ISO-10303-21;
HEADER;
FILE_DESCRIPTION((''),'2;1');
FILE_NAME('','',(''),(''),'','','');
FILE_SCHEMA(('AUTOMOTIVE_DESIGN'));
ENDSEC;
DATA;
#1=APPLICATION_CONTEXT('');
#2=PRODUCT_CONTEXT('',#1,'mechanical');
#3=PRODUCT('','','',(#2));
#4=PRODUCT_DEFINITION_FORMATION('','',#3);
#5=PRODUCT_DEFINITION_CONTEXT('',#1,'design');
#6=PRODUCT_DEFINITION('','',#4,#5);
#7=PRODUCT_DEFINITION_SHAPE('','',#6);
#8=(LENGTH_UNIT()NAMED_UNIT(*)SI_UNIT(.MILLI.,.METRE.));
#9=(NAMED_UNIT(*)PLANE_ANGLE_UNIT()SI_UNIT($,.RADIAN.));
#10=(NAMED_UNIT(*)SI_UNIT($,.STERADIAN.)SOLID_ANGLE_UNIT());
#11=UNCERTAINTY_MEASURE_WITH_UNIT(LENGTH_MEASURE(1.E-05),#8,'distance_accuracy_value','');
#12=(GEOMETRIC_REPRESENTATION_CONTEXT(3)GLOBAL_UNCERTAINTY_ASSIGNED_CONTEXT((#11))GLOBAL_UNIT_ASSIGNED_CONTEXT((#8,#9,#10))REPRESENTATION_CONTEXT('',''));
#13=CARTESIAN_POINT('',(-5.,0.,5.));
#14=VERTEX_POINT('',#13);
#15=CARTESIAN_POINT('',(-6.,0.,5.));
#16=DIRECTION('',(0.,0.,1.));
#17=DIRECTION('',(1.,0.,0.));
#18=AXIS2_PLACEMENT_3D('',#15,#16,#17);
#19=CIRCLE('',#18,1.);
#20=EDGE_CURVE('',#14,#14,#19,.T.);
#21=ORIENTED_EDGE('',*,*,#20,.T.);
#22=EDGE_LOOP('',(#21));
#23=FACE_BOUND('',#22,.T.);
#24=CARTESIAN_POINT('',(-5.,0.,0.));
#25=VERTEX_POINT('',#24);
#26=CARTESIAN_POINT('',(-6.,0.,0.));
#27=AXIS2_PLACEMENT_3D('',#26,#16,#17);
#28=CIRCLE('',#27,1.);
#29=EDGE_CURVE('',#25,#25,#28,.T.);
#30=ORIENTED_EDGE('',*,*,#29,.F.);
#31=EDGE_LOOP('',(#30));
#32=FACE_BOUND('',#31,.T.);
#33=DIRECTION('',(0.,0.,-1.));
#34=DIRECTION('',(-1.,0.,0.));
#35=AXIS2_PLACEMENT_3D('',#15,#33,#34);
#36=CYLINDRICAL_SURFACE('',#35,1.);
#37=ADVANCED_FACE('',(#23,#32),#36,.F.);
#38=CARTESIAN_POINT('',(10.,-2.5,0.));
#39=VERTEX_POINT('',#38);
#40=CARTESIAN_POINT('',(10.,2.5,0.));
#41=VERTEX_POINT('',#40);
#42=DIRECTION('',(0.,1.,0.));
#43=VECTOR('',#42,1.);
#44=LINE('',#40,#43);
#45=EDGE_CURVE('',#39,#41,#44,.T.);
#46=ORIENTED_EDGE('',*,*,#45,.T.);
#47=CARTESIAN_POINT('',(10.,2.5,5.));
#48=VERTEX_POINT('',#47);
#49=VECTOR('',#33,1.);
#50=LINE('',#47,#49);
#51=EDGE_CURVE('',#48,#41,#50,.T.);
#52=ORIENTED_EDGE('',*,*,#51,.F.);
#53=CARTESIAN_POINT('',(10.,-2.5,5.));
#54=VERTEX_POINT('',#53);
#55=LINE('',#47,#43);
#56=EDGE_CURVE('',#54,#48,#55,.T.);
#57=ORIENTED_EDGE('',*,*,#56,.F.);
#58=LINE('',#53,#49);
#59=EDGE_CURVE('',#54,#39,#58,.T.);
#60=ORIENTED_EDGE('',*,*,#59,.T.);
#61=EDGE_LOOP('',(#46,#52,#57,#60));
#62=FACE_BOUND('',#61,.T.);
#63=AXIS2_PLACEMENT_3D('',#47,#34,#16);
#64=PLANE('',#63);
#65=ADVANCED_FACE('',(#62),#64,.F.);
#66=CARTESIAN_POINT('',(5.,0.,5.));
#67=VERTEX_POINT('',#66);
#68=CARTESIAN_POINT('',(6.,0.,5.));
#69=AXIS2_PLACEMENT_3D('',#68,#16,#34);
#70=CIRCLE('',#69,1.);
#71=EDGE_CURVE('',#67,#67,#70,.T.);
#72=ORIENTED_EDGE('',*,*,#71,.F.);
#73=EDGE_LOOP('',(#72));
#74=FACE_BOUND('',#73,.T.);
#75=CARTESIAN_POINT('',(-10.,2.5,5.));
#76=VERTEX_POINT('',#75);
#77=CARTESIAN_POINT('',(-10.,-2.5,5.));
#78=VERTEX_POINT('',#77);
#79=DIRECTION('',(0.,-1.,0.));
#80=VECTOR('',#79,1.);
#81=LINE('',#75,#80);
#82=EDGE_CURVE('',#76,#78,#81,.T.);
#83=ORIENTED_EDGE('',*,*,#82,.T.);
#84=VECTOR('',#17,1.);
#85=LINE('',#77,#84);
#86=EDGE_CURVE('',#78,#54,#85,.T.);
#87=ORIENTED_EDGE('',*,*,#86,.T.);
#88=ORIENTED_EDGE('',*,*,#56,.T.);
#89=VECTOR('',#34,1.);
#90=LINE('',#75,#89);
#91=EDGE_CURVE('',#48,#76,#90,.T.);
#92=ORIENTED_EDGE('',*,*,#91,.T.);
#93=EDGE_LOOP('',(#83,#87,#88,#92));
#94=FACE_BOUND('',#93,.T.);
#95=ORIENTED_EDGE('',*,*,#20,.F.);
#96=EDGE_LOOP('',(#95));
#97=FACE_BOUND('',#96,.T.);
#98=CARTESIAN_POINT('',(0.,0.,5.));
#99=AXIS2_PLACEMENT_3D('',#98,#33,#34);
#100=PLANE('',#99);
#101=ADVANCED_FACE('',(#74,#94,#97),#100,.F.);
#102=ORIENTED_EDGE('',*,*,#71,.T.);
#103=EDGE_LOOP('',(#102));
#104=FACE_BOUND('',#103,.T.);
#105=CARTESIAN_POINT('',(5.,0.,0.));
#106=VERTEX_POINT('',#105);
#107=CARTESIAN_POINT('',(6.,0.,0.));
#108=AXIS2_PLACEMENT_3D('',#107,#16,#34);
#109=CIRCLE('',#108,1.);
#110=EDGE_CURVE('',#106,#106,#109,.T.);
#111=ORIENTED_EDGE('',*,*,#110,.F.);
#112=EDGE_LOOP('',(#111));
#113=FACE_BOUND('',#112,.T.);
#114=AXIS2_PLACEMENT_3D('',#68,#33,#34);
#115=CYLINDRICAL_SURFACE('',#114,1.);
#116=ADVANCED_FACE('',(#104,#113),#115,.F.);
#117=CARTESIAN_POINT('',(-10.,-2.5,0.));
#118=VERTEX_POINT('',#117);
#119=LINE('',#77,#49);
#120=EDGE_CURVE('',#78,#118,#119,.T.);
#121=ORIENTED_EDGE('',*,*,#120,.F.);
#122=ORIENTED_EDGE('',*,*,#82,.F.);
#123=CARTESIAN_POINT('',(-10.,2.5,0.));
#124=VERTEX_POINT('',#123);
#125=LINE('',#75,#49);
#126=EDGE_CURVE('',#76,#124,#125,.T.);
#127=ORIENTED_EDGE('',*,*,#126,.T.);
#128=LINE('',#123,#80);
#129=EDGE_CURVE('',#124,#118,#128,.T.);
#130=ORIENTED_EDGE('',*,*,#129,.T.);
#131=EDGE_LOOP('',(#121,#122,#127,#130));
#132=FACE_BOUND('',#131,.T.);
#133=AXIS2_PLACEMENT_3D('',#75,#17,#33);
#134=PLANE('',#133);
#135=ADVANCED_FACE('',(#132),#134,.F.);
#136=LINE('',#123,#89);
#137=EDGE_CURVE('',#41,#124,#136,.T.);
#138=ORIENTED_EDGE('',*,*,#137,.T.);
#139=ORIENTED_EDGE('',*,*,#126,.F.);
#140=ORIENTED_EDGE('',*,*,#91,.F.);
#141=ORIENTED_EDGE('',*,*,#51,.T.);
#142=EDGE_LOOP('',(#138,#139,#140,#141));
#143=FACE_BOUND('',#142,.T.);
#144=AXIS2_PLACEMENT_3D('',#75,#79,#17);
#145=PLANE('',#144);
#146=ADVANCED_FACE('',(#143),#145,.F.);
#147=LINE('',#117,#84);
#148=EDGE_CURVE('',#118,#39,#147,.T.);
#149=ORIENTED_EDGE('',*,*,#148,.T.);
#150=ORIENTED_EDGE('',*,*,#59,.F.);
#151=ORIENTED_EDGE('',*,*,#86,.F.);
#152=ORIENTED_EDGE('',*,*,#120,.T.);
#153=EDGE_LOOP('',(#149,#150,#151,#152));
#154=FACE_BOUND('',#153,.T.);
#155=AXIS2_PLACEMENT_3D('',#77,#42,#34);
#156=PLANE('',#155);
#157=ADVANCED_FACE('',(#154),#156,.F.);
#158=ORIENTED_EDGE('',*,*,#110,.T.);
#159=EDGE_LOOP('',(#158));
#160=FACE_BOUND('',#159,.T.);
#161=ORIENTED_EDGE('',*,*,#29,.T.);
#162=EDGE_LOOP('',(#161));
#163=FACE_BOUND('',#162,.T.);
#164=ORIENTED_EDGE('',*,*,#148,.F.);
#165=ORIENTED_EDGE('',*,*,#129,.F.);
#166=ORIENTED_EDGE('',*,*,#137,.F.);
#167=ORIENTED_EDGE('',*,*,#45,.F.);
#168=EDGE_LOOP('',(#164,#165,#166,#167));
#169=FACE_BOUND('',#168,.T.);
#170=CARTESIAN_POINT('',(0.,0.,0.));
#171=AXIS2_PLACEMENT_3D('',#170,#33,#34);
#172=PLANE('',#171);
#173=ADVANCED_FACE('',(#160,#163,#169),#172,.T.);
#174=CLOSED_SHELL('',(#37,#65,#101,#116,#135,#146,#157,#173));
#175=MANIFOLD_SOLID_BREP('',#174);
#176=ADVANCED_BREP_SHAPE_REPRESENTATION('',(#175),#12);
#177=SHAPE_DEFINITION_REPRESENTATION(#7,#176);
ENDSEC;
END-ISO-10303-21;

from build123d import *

# Parameters (mm, degrees)
SKETCH_1_W      = 20
SKETCH_1_H      = 5
SKETCH_1_R      = 1
EXTRUDE_1_DEPTH = 5


with BuildPart() as part:
    # 草图1 → 凸台-拉伸1 (new body)
    with BuildSketch(Plane.XY):
        Rectangle(SKETCH_1_W, SKETCH_1_H)
        with Locations((-6, 0)):
            Circle(SKETCH_1_R, mode=Mode.SUBTRACT)
        with Locations(Location((6, 0, 0), (0, 0, 180))):
            Circle(SKETCH_1_R, mode=Mode.SUBTRACT)
    extrude(amount=EXTRUDE_1_DEPTH)


solid = part.part
